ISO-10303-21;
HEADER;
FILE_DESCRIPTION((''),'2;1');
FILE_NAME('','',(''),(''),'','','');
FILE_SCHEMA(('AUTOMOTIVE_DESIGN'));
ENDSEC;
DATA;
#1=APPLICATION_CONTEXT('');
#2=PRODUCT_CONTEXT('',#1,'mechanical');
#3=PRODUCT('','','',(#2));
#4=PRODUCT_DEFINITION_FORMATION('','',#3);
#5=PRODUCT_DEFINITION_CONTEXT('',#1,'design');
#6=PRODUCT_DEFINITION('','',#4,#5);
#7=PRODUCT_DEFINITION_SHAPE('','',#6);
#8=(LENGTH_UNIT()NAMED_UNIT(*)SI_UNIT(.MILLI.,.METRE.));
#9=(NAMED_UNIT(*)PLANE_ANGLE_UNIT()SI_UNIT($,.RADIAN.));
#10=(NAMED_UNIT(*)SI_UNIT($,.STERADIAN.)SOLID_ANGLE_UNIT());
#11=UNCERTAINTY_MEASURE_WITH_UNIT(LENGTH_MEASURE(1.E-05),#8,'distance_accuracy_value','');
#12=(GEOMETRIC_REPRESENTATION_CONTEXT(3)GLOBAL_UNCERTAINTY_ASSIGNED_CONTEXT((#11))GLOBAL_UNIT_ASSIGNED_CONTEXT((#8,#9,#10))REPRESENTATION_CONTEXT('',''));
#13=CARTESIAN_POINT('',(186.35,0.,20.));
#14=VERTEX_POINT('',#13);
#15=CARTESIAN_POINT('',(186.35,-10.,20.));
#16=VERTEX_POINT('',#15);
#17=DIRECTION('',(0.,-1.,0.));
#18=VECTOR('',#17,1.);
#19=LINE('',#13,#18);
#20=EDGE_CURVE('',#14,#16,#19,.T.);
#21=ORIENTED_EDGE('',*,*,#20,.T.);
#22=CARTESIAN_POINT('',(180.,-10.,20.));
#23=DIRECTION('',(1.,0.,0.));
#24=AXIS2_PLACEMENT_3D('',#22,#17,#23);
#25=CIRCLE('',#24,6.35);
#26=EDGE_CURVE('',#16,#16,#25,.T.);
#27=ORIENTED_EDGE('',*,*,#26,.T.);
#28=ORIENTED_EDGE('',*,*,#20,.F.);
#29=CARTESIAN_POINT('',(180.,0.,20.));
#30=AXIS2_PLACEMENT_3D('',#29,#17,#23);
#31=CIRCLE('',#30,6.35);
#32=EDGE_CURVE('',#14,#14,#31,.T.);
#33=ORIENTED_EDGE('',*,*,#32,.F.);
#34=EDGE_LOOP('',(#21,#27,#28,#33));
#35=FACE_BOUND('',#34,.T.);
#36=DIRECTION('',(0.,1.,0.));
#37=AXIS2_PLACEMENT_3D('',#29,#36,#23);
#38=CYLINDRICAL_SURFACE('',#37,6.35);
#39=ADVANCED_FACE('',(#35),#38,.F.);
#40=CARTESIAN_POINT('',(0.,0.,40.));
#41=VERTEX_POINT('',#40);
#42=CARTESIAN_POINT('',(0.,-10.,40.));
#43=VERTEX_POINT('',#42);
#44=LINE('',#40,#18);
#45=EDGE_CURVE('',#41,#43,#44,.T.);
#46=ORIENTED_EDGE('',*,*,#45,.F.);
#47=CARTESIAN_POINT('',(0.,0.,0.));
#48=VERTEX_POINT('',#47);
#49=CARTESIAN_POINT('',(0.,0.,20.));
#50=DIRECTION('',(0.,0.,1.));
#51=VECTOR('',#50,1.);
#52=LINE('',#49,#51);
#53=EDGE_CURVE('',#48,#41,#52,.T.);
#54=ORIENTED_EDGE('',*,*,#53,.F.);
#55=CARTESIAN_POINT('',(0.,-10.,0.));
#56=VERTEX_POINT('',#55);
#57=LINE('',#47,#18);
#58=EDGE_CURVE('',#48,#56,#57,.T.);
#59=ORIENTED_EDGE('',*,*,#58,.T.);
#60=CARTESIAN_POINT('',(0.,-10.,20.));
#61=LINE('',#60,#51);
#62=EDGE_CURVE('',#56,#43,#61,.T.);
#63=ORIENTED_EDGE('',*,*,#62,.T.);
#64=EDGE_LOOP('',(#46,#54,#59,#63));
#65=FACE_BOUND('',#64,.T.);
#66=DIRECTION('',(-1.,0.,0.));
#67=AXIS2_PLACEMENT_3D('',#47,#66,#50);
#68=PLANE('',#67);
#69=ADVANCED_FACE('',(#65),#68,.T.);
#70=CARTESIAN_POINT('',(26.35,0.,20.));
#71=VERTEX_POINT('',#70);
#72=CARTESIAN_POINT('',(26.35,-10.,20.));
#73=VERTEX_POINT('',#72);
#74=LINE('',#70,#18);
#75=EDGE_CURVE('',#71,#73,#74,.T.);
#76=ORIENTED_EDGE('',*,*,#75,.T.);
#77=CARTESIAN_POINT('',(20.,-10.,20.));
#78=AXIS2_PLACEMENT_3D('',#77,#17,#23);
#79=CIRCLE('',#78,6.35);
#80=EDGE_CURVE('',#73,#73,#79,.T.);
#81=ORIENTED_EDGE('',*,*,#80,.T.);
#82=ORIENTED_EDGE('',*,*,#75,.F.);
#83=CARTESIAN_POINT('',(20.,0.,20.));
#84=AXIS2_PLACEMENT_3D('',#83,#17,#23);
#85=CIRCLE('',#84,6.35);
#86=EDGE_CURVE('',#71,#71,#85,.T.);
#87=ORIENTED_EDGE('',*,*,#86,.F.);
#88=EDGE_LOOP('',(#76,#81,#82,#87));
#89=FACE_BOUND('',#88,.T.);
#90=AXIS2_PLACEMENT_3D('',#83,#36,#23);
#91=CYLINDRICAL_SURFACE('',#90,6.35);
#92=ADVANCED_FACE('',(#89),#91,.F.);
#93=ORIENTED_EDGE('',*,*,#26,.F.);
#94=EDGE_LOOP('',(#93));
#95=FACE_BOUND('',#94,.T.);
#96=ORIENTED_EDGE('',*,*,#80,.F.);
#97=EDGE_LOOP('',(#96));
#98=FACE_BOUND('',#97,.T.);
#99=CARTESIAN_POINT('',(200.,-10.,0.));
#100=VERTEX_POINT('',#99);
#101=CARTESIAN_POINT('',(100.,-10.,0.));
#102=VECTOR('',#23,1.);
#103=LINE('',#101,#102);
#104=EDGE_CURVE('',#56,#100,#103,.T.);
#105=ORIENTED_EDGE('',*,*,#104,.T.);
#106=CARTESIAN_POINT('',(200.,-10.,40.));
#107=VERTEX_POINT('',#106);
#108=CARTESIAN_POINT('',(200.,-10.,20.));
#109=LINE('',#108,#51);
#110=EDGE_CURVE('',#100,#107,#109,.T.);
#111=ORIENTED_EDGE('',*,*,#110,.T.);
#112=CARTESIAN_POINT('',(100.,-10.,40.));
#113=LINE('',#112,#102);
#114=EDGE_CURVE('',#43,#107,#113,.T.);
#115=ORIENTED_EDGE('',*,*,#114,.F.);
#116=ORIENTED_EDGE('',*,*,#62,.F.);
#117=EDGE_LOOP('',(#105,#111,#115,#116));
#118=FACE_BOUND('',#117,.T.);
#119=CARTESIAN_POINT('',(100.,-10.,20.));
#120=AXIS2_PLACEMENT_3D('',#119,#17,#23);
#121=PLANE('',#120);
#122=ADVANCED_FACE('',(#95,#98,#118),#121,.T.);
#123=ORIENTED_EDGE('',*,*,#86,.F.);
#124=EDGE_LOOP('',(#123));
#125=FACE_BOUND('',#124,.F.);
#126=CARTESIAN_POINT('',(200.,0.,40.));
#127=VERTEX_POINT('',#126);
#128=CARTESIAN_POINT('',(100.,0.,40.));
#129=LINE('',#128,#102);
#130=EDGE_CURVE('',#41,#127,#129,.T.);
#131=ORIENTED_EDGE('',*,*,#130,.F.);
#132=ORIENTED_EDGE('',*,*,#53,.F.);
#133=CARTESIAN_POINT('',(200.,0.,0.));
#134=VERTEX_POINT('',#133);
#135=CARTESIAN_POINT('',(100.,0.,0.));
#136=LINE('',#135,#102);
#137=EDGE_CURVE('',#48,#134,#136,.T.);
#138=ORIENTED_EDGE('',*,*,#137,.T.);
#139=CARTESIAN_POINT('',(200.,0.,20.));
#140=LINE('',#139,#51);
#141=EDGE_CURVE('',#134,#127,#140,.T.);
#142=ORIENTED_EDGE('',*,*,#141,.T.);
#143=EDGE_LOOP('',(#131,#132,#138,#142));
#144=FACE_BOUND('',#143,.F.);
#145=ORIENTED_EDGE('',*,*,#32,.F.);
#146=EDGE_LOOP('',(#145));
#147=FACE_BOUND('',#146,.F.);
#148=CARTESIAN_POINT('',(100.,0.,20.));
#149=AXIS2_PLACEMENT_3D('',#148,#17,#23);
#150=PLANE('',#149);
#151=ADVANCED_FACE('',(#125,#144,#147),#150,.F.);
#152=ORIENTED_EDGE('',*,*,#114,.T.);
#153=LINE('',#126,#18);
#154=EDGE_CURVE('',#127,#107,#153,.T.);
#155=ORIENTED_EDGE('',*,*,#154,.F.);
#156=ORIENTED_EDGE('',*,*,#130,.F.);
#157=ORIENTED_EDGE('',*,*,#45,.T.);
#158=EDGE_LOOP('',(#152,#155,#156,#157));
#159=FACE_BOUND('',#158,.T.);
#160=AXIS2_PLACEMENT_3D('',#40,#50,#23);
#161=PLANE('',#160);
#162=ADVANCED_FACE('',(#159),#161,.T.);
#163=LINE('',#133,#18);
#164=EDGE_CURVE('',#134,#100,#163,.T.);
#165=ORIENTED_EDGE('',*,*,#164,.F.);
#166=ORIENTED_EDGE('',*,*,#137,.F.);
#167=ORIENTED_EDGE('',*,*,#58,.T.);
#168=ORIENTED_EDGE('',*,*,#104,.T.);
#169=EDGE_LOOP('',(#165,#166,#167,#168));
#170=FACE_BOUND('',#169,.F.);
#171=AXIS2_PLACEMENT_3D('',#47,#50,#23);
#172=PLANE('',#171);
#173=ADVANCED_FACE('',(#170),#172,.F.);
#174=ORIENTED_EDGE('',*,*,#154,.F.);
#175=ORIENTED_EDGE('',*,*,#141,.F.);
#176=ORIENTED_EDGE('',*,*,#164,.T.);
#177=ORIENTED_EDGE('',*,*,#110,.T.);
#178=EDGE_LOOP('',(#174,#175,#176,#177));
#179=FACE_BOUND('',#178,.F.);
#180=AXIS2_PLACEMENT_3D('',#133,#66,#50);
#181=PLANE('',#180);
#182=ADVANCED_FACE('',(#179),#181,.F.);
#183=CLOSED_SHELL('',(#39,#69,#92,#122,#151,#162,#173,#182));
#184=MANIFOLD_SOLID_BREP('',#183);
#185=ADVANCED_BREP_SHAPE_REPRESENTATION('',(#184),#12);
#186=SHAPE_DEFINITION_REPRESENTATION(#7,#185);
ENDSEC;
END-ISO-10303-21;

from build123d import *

# Parameters (mm, degrees)
SKETCH_W  = 200
SKETCH_H  = 40
SKETCH_R  = 6.35
PAD_DEPTH = 10


with BuildPart() as part:
    # Sketch → Pad (new body)
    with BuildSketch(Plane.XZ):
        with Locations((100, 20)):
            Rectangle(SKETCH_W, SKETCH_H)
        with Locations((20, 20)):
            Circle(SKETCH_R, mode=Mode.SUBTRACT)
        with Locations((180, 20)):
            Circle(SKETCH_R, mode=Mode.SUBTRACT)
    extrude(amount=PAD_DEPTH)


solid = part.part
